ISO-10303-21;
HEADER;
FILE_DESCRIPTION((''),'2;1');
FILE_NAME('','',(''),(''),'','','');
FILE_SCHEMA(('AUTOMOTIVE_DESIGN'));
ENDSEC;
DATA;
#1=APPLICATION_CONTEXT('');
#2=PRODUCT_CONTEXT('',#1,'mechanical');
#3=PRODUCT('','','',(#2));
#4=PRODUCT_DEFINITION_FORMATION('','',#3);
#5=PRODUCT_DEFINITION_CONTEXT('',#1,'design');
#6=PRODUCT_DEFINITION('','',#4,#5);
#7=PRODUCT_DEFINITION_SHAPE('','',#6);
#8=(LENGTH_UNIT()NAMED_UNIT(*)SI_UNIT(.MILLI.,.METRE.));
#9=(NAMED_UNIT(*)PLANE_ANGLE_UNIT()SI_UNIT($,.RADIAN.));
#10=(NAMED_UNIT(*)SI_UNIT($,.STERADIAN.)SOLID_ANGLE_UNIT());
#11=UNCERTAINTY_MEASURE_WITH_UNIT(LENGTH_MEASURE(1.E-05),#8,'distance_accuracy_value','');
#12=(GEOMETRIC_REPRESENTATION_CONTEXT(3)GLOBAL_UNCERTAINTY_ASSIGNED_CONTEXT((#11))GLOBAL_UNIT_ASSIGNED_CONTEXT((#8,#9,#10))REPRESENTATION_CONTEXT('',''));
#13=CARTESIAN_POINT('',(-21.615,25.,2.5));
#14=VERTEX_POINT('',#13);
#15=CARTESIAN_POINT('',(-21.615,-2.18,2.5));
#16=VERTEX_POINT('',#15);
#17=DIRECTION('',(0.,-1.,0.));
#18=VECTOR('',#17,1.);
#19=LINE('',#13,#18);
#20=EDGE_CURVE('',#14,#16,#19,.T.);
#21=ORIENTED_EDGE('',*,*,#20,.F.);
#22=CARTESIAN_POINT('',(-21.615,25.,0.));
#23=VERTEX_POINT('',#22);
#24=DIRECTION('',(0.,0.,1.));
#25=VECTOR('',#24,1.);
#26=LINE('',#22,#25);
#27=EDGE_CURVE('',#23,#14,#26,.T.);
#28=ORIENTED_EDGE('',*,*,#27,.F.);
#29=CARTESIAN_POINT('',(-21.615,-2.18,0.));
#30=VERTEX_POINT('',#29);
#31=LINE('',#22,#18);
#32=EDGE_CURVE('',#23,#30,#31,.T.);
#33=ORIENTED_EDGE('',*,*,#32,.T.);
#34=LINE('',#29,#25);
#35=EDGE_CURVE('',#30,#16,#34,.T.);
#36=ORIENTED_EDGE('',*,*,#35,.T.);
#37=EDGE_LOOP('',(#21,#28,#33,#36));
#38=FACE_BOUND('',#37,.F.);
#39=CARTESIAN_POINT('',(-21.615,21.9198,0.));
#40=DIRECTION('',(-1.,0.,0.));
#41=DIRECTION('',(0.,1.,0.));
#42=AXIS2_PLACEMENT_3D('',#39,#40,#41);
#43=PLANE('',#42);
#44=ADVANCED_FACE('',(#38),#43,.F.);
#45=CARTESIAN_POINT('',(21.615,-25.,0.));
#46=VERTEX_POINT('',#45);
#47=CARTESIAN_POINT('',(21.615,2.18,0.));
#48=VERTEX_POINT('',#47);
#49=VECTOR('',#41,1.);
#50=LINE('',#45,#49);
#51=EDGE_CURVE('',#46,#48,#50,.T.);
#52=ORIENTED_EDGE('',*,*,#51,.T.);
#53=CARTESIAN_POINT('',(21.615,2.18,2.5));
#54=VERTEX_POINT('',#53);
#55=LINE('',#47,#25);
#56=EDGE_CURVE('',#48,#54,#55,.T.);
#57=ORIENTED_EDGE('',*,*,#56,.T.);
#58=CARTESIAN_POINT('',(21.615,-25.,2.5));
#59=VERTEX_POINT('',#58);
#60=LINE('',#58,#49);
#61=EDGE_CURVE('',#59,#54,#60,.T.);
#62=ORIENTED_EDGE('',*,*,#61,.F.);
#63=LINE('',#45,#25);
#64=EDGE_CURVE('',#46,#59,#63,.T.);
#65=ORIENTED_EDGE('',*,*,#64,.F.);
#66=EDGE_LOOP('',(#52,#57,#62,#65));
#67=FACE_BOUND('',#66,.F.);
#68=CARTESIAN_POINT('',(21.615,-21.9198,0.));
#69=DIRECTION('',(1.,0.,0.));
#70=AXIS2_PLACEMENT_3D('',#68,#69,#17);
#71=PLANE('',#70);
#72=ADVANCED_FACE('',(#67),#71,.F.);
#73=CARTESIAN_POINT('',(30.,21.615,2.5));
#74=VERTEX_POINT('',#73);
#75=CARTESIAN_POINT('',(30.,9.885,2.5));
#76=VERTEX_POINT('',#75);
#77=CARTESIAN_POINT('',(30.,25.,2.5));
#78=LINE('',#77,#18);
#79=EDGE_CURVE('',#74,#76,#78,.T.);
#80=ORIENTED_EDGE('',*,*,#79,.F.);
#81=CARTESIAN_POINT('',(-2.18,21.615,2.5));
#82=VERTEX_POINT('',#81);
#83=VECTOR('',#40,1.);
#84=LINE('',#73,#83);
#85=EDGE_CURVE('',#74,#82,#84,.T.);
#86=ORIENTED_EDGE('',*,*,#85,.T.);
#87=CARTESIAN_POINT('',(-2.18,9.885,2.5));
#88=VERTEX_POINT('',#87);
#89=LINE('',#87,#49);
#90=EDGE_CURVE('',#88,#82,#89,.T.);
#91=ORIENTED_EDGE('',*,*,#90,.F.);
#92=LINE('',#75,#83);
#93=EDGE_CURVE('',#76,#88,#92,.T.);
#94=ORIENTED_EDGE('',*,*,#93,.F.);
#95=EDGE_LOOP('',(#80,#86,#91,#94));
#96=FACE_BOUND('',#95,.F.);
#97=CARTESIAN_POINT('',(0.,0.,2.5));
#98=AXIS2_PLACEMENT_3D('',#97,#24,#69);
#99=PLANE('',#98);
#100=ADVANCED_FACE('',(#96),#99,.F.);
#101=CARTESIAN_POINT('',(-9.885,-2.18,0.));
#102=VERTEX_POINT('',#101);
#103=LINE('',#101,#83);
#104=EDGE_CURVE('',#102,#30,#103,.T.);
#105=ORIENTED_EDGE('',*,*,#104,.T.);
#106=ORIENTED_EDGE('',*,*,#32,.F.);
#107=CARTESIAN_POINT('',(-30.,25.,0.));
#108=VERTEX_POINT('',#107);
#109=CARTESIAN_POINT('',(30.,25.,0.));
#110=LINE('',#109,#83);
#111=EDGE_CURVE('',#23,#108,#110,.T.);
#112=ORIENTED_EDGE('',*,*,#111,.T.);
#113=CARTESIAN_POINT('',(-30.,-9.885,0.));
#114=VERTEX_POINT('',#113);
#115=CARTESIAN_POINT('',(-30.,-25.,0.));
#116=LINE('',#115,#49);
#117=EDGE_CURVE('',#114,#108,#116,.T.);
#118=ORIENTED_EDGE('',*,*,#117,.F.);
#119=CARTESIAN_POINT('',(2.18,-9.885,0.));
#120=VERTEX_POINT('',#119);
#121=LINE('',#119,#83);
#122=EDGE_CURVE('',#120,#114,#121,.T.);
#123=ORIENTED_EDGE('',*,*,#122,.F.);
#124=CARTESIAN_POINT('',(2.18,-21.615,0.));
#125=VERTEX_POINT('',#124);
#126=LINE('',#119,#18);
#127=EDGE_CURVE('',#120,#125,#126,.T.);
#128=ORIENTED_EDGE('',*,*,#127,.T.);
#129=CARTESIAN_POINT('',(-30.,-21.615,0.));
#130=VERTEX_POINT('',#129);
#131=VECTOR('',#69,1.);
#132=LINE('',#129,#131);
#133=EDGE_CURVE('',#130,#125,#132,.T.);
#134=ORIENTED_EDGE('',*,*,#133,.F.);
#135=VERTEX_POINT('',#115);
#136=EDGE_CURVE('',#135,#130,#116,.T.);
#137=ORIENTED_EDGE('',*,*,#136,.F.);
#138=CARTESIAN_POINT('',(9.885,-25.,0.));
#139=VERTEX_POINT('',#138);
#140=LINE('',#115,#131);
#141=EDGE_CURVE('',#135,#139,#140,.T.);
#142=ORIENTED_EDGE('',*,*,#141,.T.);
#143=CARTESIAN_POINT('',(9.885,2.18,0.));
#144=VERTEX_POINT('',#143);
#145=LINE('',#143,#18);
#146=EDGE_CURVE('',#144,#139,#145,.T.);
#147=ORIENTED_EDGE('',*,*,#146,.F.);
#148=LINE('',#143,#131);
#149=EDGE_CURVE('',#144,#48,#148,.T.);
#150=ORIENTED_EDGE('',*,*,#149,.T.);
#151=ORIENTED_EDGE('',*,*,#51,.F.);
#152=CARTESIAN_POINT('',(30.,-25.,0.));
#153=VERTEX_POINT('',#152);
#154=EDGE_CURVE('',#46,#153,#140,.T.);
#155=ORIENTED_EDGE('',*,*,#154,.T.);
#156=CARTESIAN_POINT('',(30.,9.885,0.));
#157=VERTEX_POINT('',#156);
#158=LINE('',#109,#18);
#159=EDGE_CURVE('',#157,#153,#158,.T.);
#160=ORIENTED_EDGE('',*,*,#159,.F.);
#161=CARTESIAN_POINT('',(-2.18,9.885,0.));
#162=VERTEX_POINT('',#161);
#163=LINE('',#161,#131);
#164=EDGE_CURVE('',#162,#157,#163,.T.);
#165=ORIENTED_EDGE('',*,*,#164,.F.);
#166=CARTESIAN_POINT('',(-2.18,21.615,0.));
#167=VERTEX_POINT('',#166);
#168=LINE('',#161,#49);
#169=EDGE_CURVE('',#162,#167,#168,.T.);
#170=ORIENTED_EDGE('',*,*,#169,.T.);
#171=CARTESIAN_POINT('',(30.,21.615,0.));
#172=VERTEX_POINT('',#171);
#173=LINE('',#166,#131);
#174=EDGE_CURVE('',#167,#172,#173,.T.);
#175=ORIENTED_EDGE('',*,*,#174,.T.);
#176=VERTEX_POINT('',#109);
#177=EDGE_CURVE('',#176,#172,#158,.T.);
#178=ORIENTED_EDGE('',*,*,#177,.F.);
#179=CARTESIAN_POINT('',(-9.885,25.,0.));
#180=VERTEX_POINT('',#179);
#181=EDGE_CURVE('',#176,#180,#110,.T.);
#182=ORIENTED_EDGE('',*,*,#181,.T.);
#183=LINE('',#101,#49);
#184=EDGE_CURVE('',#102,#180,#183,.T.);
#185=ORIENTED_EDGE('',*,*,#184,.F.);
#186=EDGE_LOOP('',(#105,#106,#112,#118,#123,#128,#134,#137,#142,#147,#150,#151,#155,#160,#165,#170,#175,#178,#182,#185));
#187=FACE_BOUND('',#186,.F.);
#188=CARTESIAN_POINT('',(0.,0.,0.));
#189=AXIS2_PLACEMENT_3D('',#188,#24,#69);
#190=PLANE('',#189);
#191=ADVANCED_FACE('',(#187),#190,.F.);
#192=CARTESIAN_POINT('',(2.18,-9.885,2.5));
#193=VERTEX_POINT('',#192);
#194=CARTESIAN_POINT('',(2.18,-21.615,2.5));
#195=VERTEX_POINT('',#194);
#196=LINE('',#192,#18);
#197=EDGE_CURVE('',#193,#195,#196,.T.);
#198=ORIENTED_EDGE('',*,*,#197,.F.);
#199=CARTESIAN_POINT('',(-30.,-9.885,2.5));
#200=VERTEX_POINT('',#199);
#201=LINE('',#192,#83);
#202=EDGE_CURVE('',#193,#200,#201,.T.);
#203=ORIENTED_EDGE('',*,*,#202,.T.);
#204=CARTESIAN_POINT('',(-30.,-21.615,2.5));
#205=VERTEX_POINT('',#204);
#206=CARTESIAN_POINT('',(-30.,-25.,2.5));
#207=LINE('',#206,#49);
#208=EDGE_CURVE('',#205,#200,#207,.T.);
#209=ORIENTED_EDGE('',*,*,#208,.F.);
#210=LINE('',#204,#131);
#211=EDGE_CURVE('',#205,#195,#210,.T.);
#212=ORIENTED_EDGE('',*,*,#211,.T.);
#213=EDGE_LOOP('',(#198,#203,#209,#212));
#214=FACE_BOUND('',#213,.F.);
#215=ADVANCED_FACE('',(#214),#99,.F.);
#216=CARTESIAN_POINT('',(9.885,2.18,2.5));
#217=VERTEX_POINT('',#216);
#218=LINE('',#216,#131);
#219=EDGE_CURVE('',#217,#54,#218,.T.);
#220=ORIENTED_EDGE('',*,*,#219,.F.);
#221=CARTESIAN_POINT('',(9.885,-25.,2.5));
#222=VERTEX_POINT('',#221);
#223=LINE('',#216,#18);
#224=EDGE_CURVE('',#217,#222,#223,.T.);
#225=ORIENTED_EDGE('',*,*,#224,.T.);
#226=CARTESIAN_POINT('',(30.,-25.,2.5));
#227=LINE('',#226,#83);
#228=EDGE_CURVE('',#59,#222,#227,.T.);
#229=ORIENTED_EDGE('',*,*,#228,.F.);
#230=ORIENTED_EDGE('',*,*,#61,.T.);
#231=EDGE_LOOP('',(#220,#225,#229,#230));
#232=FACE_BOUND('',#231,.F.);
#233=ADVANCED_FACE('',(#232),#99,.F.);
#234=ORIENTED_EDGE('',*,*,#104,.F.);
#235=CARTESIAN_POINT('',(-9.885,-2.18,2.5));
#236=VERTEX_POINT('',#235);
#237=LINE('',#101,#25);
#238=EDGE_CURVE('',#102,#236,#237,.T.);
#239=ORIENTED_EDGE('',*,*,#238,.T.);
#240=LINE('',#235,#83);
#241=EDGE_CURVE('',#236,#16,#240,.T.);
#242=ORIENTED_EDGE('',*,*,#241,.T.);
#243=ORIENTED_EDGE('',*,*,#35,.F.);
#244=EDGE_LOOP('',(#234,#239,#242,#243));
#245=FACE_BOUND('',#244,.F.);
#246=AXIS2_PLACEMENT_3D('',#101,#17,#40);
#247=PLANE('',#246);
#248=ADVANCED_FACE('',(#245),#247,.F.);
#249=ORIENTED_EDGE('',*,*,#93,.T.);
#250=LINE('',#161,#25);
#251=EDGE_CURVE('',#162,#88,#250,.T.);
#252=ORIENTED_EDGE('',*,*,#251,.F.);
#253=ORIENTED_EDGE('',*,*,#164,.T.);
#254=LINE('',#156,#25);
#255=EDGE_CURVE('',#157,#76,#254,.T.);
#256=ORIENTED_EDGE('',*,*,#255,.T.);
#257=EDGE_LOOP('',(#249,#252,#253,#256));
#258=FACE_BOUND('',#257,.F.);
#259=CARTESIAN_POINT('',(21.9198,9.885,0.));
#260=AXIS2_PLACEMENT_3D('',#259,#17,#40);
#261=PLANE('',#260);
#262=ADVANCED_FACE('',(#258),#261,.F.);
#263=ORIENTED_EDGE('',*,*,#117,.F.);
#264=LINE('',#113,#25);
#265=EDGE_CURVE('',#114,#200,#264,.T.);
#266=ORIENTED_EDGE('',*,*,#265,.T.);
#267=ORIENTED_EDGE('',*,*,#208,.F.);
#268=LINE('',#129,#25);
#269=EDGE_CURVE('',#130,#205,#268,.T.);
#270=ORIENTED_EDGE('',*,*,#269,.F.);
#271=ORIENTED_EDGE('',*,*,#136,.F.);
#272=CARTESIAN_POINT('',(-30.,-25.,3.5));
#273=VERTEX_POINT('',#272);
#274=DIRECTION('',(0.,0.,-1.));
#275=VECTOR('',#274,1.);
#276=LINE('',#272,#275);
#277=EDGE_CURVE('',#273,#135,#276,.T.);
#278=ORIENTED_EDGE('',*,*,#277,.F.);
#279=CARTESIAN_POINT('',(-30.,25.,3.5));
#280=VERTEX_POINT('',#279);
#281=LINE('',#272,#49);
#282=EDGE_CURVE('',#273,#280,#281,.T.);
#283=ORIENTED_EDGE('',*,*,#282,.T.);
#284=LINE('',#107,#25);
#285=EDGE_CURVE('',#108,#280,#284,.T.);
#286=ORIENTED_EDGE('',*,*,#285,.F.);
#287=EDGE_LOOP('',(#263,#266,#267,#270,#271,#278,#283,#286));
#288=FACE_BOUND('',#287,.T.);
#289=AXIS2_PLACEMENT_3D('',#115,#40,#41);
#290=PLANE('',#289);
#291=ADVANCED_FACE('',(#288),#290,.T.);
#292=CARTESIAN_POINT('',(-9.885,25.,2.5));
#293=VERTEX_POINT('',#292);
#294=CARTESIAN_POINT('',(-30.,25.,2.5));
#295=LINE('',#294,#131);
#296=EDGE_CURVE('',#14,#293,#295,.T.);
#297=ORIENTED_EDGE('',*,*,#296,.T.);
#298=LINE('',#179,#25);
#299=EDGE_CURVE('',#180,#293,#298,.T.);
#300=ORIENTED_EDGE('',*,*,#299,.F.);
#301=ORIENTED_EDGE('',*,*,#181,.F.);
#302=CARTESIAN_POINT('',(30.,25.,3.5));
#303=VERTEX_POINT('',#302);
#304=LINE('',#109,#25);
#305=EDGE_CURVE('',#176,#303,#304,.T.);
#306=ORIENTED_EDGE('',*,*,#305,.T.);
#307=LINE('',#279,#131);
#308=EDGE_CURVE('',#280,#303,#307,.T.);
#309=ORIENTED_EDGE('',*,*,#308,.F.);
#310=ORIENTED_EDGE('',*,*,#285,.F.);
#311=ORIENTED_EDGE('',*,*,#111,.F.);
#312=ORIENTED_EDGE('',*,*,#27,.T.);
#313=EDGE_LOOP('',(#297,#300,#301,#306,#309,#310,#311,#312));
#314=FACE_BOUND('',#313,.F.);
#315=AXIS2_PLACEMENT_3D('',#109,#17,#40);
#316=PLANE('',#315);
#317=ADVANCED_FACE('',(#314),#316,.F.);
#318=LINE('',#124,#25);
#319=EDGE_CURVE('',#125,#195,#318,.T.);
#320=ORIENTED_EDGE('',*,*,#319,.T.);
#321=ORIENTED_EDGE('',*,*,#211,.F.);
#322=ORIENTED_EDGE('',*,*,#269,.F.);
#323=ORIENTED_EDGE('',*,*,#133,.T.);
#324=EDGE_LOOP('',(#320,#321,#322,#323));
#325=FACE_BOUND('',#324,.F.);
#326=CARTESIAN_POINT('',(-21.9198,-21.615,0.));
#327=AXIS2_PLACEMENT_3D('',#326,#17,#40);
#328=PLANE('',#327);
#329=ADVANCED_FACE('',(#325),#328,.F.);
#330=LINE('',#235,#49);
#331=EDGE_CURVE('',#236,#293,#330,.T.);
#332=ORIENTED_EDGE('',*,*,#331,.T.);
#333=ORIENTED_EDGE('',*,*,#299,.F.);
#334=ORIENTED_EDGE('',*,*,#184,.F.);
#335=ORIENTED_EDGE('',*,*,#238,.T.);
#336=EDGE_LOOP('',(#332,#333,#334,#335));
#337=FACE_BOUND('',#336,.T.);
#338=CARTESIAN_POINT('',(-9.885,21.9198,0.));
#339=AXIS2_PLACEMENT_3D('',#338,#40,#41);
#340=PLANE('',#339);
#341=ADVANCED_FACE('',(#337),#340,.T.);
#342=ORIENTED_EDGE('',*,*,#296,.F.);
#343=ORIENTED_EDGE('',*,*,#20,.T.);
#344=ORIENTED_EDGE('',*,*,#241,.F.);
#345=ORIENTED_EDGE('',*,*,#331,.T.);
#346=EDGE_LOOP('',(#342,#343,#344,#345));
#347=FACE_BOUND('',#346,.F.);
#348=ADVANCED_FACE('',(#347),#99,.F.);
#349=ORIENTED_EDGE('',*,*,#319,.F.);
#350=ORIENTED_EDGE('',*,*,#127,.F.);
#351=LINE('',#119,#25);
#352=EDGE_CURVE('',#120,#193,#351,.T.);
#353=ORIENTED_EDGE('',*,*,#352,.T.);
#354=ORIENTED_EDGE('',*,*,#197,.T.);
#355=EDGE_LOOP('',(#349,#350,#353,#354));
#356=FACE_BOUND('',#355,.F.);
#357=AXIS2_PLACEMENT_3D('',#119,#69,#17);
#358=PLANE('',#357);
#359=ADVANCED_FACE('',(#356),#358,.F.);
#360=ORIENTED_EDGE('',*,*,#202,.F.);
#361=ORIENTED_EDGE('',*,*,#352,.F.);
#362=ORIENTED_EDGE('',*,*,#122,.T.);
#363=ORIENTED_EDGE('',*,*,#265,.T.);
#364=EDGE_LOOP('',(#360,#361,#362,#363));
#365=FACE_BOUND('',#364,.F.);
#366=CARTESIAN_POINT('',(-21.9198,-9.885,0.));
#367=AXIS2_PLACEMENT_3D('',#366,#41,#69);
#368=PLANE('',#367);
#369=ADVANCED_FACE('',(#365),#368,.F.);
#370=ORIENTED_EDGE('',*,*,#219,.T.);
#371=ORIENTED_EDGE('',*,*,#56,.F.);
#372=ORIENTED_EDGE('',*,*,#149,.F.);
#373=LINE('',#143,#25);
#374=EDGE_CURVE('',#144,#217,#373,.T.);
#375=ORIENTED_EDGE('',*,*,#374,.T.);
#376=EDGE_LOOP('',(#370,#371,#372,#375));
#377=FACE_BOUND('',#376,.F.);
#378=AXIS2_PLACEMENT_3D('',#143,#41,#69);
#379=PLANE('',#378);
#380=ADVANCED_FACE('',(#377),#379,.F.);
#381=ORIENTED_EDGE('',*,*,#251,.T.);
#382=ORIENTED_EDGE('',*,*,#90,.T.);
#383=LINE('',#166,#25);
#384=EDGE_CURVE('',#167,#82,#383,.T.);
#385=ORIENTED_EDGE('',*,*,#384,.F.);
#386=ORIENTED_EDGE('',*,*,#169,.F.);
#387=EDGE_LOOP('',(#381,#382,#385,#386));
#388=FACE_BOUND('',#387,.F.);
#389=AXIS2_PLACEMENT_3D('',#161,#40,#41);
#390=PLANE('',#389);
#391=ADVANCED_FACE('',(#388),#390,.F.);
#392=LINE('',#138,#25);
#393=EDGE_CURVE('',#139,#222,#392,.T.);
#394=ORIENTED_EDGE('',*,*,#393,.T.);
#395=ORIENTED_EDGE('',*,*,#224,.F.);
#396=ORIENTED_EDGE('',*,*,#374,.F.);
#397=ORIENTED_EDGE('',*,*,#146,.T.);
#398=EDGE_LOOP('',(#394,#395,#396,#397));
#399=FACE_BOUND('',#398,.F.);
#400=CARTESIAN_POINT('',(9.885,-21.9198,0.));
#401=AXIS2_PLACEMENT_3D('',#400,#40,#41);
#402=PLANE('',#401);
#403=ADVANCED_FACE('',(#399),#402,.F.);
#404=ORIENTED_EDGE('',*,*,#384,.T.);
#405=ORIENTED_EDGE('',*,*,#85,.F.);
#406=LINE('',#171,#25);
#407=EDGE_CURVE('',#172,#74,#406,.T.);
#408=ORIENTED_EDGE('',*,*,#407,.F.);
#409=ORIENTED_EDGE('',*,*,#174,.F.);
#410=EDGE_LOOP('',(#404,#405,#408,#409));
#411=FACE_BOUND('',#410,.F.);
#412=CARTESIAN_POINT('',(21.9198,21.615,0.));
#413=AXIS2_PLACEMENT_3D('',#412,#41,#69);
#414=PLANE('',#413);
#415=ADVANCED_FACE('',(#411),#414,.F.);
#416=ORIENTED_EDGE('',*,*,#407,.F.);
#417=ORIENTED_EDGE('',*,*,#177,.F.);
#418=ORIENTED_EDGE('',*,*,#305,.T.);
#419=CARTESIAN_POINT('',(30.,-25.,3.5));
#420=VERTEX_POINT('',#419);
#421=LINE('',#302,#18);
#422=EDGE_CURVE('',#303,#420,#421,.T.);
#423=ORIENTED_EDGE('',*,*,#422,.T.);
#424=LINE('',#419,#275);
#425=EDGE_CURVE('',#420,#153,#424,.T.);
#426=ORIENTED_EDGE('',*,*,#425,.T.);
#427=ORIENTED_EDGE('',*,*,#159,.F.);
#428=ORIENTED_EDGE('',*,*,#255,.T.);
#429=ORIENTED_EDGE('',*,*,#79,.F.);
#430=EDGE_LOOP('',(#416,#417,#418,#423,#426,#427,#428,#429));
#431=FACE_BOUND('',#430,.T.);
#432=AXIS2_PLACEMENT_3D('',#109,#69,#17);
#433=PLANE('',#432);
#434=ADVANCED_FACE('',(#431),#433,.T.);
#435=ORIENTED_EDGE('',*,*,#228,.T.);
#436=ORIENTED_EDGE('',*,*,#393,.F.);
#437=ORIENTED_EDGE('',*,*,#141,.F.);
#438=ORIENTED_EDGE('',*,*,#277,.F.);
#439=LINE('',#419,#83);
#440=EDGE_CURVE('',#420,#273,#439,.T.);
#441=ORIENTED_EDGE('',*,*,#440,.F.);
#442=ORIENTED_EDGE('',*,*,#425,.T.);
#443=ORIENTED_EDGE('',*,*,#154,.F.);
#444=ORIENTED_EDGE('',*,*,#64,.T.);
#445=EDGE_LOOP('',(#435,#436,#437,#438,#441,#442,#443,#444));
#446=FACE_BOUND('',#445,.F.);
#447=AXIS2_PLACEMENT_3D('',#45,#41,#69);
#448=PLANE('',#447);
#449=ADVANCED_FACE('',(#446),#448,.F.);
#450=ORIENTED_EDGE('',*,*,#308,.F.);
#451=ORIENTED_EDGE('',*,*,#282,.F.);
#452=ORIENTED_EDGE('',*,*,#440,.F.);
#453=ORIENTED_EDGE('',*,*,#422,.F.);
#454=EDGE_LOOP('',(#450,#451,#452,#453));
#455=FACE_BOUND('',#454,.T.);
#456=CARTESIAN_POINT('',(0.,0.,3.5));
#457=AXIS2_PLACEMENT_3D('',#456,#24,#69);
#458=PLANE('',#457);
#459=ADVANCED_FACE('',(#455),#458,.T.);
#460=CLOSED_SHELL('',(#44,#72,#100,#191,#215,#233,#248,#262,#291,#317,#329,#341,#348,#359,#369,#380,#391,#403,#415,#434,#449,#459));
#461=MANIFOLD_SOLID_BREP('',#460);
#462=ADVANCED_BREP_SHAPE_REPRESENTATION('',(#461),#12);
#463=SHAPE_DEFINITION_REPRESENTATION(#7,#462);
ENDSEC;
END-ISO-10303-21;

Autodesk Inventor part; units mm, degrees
ref_plane "YZ Plane" through (0, 0, 0) normal (1, 0, 0) x (0, 1, 0)
ref_plane "XZ Plane" through (0, 0, 0) normal (0, 1, 0) x (-1, 0, 0)
ref_plane "XY Plane" through (0, 0, 0) normal (0, 0, 1) x (1, 0, 0)
sketch "Sketch1" plane through (0, 0, 0) normal (0, 0, 1) x (1, 0, 0)
  line L0 (30, 25) -> (-30, 25) projected
  line L1 (-30, -25) -> (-30, 25) projected
  line L2 (-30, -25) -> (30, -25) projected
  line L3 (30, 25) -> (30, -25) projected
  line L4 (21.9198, 18.925) -> (23.3698, 18.925) projected
  line L5 (23.3698, 18.925) -> (23.3698, 12.575) projected
  line L6 (23.3698, 12.575) -> (21.9198, 12.575) projected
  line L7 (21.9198, 12.575) -> (21.9198, 9.885) projected
  line L8 (21.9198, 9.885) -> (-2.18, 9.885) projected
  line L9 (-2.18, 9.885) -> (-2.18, 21.615) projected
  line L10 (-2.18, 21.615) -> (21.9198, 21.615) projected
  line L11 (21.9198, 21.615) -> (21.9198, 18.925) projected
  line L12 (-12.575, 23.3698) -> (-12.575, 21.9198) projected
  line L13 (-12.575, 21.9198) -> (-9.885, 21.9198) projected
  line L14 (-9.885, 21.9198) -> (-9.885, -2.18) projected
  line L15 (-9.885, -2.18) -> (-21.615, -2.18) projected
  line L16 (-21.615, -2.18) -> (-21.615, 21.9198) projected
  line L17 (-21.615, 21.9198) -> (-18.925, 21.9198) projected
  line L18 (-18.925, 21.9198) -> (-18.925, 23.3698) projected
  line L19 (-18.925, 23.3698) -> (-12.575, 23.3698) projected
  line L20 (-23.3698, -12.575) -> (-21.9198, -12.575) projected
  line L21 (-21.9198, -12.575) -> (-21.9198, -9.885) projected
  line L22 (-21.9198, -9.885) -> (2.18, -9.885) projected
  line L23 (2.18, -9.885) -> (2.18, -21.615) projected
  line L24 (2.18, -21.615) -> (-21.9198, -21.615) projected
  line L25 (-21.9198, -21.615) -> (-21.9198, -18.925) projected
  line L26 (-21.9198, -18.925) -> (-23.3698, -18.925) projected
  line L27 (-23.3698, -18.925) -> (-23.3698, -12.575) projected
  line L28 (12.575, -23.3698) -> (12.575, -21.9198) projected
  line L29 (12.575, -21.9198) -> (9.885, -21.9198) projected
  line L30 (9.885, -21.9198) -> (9.885, 2.18) projected
  line L31 (9.885, 2.18) -> (21.615, 2.18) projected
  line L32 (21.615, 2.18) -> (21.615, -21.9198) projected
  line L33 (21.615, -21.9198) -> (18.925, -21.9198) projected
  line L34 (18.925, -21.9198) -> (18.925, -23.3698) projected
  line L35 (18.925, -23.3698) -> (12.575, -23.3698) projected
  line L36 (9.885, -21.9198) -> (9.885, -25)
  line L37 (21.615, -21.9198) -> (21.615, -25)
  line L38 (-21.9198, -21.615) -> (-30, -21.615)
  line L39 (-21.9198, -9.885) -> (-30, -9.885)
  line L40 (-21.615, 21.9198) -> (-21.615, 25)
  line L41 (-9.885, 21.9198) -> (-9.885, 25)
  line L42 (21.9198, 9.885) -> (30, 9.885)
  line L43 (21.9198, 21.615) -> (30, 21.615)
  point P0 (0, 0)
extrude "Extrusion1" add sketch "Sketch1" along normal blind 2.5 contours L3 L43 L10 L9 L8 L42 L2 L37 L32 L31 L30 L36 L1 L38 L24 L23 L22 L39 L0 L40 L16 L15 L14 L41
sketch "Sketch2" plane through (0, 0, 2.5) normal (0, 0, 1) x (1, 0, 0)
  line L0 (-21.615, 25) -> (-30, 25) projected
  line L1 (30, -25) -> (30, 9.885) projected
  line L2 (-30, 25) -> (30, 25)
  line L3 (30, 25) -> (30, -25)
  line L4 (30, -25) -> (-30, -25)
  line L5 (-30, -25) -> (-30, 25)
  point P0 (0, 0)
extrude "Extrusion2" add sketch "Sketch2" along normal blind 1
properties part number "CableHolder"
